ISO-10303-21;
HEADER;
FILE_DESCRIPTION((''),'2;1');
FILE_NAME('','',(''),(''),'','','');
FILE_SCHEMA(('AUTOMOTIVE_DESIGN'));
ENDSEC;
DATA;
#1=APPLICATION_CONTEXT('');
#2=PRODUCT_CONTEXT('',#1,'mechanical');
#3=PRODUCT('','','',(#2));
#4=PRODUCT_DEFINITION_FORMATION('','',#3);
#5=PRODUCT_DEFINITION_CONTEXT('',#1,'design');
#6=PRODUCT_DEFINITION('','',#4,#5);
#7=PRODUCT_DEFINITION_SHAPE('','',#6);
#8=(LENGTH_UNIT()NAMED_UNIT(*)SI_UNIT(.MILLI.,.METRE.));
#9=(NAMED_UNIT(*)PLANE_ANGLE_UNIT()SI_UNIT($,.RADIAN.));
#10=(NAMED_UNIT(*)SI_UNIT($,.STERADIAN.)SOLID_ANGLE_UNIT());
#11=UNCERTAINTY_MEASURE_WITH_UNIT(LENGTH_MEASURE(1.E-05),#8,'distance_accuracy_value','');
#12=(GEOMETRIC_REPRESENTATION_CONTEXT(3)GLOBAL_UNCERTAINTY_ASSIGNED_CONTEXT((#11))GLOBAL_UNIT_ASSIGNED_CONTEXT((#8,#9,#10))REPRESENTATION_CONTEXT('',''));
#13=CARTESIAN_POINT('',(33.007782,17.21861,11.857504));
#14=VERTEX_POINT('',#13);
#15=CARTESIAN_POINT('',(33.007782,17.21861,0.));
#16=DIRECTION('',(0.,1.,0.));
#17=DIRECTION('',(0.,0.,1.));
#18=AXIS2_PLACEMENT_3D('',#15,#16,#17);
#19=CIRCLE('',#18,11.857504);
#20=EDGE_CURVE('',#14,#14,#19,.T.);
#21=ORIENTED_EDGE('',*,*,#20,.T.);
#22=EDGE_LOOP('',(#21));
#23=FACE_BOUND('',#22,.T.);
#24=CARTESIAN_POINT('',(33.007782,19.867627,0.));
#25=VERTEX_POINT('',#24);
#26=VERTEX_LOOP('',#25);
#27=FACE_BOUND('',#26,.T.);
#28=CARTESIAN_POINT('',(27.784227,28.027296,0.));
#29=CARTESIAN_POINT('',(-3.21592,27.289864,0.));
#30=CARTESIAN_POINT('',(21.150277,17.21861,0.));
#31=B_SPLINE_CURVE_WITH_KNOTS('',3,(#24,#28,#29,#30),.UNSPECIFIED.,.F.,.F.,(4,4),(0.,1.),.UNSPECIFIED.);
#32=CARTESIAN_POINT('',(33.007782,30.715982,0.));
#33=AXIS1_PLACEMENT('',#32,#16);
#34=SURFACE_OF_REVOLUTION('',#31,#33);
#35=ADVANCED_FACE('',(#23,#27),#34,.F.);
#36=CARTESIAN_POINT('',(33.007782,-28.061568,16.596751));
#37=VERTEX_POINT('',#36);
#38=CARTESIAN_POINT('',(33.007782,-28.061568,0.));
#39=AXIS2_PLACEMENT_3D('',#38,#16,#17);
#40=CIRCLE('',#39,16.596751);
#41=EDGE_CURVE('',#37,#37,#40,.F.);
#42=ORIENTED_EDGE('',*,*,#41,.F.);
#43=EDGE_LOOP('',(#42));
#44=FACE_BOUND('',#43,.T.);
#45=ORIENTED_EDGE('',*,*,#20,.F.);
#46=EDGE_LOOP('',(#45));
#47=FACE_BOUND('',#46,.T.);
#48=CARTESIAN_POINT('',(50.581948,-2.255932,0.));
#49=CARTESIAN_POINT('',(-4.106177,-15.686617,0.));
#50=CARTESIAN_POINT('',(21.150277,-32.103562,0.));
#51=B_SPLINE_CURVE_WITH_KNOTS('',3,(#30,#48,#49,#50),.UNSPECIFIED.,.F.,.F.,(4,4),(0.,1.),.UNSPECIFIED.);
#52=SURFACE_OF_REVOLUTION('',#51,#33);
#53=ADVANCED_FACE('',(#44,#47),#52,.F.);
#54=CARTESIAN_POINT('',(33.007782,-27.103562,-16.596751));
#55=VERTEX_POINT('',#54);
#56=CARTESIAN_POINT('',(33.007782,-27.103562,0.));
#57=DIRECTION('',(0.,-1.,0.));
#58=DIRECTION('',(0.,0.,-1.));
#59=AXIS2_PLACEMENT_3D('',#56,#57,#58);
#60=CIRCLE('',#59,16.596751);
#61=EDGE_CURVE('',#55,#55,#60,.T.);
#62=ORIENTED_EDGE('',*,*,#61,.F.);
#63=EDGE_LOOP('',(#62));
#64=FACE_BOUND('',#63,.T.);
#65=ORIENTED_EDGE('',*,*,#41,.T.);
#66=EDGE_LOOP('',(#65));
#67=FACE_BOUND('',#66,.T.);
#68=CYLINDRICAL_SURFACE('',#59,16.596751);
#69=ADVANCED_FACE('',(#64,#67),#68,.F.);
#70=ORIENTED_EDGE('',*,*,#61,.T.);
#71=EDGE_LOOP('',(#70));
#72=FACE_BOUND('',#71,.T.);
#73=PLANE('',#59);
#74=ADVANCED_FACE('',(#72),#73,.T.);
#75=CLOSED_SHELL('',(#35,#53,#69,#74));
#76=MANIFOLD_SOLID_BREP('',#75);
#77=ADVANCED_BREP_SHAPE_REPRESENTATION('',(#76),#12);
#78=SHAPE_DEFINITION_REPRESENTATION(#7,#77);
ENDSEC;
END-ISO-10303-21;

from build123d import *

# Parameters (mm, degrees)
SKETCH3_R          = 16.596750679
CUT_EXTRUDE1_DEPTH = 5


with BuildPart() as part:
    # Sketch2 → Revolve1 (revolve)
    with BuildSketch(Plane.XY):
        with BuildLine():
            Line((21.150277459, -32.103561808), (33.007781624, -32.103561808))
            Line((33.007781624, -32.103561808), (33.007781624, 19.867626659))
            add(Edge.make_bspline(
                [(21.150277459, 17.218609771), (-3.215919918, 27.289863671), (27.784227383, 28.027296079), (33.007781624, 19.867626659)],
                knots=[0, 0, 0, 0, 1, 1, 1, 1], degree=3))
            add(Edge.make_bspline(
                [(21.150277459, 17.218609771), (50.58194838, -2.255931795), (-4.106177089, -15.686617481), (21.150277459, -32.103561808)],
                knots=[0, 0, 0, 0, 1, 1, 1, 1], degree=3))
        make_face()
    revolve(axis=Axis((33.007781624, 30.715981534, 0), (0, -1, 0)))

    # Sketch3 → Cut-Extrude1 (cut)
    with BuildSketch(Plane(origin=(0, -32.103561808, 0), x_dir=(-1, 0, 0), z_dir=(0, -1, 0))):
        with Locations((-33.007781624, 0)):
            Circle(SKETCH3_R)
    extrude(amount=-CUT_EXTRUDE1_DEPTH, mode=Mode.SUBTRACT)


solid = part.part
